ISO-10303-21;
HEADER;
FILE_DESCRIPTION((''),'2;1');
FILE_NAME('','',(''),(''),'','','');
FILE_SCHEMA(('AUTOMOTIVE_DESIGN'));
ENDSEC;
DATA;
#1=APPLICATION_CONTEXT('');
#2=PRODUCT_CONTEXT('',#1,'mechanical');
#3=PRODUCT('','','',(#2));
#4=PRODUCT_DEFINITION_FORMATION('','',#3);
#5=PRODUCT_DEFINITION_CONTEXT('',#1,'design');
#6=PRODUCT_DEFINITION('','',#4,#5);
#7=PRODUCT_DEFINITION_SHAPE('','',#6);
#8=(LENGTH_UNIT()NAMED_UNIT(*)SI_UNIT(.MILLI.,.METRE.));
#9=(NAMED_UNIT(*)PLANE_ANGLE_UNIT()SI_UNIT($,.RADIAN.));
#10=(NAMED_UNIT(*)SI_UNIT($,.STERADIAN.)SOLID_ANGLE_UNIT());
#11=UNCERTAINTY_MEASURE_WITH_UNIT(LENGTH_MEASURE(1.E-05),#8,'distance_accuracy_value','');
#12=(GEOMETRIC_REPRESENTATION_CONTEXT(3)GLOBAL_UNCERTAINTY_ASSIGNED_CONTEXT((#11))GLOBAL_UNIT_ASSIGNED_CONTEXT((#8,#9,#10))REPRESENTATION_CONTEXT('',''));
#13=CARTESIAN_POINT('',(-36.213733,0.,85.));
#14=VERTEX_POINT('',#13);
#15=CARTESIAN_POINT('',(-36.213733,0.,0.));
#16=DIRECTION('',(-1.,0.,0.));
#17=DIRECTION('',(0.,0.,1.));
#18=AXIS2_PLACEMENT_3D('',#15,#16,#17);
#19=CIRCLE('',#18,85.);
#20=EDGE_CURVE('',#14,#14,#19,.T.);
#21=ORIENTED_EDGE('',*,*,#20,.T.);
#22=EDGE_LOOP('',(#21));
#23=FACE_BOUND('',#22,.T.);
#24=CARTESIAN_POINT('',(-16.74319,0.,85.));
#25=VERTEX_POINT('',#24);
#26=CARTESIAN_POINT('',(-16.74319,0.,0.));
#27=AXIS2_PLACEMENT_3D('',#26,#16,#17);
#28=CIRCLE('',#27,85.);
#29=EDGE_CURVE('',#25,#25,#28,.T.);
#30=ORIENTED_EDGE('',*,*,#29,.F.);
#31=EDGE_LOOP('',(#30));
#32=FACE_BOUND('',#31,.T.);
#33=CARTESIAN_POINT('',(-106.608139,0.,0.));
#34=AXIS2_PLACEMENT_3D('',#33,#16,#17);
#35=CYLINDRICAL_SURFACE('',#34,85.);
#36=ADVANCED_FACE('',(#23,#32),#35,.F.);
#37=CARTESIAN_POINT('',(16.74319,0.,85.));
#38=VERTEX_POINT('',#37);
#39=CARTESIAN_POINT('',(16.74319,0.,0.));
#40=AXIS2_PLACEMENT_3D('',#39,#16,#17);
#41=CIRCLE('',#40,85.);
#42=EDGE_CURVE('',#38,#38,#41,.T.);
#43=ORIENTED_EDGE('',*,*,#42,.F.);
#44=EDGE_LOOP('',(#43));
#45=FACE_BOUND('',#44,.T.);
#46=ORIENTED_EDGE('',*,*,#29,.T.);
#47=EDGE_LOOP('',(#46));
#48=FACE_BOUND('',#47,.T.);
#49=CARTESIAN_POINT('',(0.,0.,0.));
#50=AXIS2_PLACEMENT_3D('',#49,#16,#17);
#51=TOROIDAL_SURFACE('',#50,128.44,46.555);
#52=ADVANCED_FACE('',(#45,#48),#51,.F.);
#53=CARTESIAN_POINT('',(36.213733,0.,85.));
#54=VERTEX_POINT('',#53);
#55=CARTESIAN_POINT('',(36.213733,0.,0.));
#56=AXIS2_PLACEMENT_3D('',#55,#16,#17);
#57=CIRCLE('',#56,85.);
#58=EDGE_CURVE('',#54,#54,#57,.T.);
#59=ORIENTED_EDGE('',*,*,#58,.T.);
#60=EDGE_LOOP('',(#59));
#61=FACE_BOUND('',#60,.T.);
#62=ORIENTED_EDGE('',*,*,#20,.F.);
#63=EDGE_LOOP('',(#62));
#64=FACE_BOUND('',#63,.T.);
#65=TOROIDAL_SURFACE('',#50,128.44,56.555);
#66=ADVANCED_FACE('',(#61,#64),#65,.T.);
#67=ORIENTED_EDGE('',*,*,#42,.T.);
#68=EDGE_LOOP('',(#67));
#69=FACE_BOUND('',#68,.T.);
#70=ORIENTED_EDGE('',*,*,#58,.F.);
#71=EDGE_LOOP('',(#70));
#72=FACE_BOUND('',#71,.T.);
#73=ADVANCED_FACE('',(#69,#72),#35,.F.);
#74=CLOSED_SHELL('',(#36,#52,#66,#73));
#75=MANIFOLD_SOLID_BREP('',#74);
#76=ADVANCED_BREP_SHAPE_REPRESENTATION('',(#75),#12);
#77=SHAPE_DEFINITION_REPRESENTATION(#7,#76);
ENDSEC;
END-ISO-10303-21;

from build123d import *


with BuildPart() as part:
    # Esquisse1 → Révolution1 (revolve)
    with BuildSketch(Plane.XY, mode=Mode.PRIVATE) as r_volution1_sk:
        with BuildLine():
            Line((-36.213732547, 85), (-16.743190407, 85))
            ThreePointArc((-16.743190407, 85), (0, 174.995), (16.743190407, 85))
            Line((16.743190407, 85), (36.213732547, 85))
            ThreePointArc((36.213732547, 85), (0, 184.995), (-36.213732547, 85))
        make_face()
    revolve(r_volution1_sk.sketch.rotate(Axis((-106.608138565, 0, 0), (1, 0, 0)), 90), axis=Axis((-106.608138565, 0, 0), (1, 0, 0)))


solid = part.part
